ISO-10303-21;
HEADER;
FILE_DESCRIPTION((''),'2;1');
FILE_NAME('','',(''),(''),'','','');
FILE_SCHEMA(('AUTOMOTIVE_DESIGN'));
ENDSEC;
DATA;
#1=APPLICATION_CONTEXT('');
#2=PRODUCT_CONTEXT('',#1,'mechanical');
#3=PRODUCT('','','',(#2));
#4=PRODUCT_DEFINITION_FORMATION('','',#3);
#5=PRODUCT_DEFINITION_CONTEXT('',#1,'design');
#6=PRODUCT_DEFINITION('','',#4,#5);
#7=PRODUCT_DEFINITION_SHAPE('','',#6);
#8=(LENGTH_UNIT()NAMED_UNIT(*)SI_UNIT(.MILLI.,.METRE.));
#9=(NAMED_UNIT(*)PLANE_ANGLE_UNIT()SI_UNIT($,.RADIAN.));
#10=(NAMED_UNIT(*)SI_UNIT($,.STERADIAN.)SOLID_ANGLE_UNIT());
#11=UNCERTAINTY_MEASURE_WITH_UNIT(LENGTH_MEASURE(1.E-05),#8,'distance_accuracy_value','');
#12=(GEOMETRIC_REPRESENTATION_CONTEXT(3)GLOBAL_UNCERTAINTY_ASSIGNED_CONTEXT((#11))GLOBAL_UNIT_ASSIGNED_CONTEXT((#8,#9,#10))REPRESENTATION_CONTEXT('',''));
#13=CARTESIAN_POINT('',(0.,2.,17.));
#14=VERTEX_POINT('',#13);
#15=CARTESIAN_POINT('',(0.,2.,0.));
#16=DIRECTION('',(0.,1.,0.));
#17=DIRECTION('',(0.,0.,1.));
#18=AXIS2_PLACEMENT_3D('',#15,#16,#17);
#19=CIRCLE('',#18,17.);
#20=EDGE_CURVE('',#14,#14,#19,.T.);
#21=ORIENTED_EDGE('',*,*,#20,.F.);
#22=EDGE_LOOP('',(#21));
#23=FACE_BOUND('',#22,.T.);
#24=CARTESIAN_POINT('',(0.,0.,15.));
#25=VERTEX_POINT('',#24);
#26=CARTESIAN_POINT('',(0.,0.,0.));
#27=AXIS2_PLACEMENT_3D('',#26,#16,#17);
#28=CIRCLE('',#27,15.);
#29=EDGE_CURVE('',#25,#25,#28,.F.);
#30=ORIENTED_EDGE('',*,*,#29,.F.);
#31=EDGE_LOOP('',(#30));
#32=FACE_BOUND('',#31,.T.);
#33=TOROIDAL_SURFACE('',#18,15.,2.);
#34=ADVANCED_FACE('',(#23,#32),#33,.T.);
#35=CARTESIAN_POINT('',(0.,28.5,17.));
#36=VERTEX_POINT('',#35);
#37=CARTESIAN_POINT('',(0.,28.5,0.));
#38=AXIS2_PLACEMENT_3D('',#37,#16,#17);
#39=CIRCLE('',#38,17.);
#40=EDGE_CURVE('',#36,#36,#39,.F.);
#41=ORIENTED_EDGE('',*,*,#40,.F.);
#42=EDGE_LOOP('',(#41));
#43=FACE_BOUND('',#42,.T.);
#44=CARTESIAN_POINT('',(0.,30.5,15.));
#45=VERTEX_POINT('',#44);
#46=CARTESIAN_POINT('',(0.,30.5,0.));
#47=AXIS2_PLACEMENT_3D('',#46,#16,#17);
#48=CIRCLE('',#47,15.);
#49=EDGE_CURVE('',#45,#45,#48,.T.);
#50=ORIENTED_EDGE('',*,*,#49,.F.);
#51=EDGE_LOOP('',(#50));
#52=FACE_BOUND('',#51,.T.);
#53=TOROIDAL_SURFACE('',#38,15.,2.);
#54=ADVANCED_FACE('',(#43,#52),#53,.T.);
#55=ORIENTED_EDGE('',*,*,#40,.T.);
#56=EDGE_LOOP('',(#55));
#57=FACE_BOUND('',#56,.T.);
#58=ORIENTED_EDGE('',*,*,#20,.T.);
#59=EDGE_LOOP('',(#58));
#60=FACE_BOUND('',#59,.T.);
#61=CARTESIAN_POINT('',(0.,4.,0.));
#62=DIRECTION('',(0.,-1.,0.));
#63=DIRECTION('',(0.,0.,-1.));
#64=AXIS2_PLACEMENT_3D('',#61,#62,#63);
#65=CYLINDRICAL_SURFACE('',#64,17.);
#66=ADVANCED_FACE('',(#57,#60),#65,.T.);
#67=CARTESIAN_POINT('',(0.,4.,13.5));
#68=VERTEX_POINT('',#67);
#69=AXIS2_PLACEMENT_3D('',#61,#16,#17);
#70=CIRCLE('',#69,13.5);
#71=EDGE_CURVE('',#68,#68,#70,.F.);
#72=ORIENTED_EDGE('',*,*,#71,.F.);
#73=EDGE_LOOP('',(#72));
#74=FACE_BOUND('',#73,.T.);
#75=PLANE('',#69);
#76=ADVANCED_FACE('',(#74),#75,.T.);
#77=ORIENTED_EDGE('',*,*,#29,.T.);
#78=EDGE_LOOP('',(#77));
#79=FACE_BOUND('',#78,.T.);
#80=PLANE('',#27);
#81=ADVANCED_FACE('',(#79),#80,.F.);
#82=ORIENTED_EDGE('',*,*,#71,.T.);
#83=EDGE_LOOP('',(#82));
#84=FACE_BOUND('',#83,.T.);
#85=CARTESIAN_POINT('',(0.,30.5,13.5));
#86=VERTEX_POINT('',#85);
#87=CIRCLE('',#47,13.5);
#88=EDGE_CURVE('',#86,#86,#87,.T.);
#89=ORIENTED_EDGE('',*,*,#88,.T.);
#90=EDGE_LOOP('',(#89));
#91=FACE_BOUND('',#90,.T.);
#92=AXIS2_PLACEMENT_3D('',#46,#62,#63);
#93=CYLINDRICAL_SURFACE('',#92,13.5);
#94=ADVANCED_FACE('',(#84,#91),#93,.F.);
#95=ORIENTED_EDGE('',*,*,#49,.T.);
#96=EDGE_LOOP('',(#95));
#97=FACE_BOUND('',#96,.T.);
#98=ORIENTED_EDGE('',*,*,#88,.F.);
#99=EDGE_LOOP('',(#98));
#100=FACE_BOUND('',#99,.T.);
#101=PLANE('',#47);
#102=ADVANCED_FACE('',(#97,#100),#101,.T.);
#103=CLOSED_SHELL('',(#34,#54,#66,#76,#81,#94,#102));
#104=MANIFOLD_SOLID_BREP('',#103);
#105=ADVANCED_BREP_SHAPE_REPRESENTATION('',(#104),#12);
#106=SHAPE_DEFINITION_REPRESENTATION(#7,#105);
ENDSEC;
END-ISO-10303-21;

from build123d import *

# Parameters (mm, degrees)
SKETCH1_R           = 17
BOSS_EXTRUDE1_DEPTH = 4
SKETCH2_R           = 17
SKETCH2_R_2         = 13.5
BOSS_EXTRUDE2_DEPTH = 26.5
FILLET1_R           = 2


with BuildPart() as part:
    # Sketch1 → Boss-Extrude1 (new body)
    with BuildSketch(Plane(origin=(0, 0, 0), x_dir=(1, 0, 0), z_dir=(0, 1, 0))):
        with Locations(Location((0, 0, 0), (0, 0, 270))):
            Circle(SKETCH1_R)
    extrude(amount=BOSS_EXTRUDE1_DEPTH)

    # Sketch2 → Boss-Extrude2 (add)
    with BuildSketch(Plane(origin=(0, 4, 0), x_dir=(1, 0, 0), z_dir=(0, 1, 0))):
        with Locations(Location((0, 0, 0), (0, 0, 270))):
            Circle(SKETCH2_R)
        with Locations(Location((0, 0, 0), (0, 0, 270))):
            Circle(SKETCH2_R_2, mode=Mode.SUBTRACT)
    extrude(amount=BOSS_EXTRUDE2_DEPTH)

    # Fillet1
    fillet1_edges = [part.edges().sort_by_distance(p)[0] for p in [
        (0, 0, -17),
        (0, 30.5, -17),
    ]]
    fillet(fillet1_edges, radius=FILLET1_R)


solid = part.part
